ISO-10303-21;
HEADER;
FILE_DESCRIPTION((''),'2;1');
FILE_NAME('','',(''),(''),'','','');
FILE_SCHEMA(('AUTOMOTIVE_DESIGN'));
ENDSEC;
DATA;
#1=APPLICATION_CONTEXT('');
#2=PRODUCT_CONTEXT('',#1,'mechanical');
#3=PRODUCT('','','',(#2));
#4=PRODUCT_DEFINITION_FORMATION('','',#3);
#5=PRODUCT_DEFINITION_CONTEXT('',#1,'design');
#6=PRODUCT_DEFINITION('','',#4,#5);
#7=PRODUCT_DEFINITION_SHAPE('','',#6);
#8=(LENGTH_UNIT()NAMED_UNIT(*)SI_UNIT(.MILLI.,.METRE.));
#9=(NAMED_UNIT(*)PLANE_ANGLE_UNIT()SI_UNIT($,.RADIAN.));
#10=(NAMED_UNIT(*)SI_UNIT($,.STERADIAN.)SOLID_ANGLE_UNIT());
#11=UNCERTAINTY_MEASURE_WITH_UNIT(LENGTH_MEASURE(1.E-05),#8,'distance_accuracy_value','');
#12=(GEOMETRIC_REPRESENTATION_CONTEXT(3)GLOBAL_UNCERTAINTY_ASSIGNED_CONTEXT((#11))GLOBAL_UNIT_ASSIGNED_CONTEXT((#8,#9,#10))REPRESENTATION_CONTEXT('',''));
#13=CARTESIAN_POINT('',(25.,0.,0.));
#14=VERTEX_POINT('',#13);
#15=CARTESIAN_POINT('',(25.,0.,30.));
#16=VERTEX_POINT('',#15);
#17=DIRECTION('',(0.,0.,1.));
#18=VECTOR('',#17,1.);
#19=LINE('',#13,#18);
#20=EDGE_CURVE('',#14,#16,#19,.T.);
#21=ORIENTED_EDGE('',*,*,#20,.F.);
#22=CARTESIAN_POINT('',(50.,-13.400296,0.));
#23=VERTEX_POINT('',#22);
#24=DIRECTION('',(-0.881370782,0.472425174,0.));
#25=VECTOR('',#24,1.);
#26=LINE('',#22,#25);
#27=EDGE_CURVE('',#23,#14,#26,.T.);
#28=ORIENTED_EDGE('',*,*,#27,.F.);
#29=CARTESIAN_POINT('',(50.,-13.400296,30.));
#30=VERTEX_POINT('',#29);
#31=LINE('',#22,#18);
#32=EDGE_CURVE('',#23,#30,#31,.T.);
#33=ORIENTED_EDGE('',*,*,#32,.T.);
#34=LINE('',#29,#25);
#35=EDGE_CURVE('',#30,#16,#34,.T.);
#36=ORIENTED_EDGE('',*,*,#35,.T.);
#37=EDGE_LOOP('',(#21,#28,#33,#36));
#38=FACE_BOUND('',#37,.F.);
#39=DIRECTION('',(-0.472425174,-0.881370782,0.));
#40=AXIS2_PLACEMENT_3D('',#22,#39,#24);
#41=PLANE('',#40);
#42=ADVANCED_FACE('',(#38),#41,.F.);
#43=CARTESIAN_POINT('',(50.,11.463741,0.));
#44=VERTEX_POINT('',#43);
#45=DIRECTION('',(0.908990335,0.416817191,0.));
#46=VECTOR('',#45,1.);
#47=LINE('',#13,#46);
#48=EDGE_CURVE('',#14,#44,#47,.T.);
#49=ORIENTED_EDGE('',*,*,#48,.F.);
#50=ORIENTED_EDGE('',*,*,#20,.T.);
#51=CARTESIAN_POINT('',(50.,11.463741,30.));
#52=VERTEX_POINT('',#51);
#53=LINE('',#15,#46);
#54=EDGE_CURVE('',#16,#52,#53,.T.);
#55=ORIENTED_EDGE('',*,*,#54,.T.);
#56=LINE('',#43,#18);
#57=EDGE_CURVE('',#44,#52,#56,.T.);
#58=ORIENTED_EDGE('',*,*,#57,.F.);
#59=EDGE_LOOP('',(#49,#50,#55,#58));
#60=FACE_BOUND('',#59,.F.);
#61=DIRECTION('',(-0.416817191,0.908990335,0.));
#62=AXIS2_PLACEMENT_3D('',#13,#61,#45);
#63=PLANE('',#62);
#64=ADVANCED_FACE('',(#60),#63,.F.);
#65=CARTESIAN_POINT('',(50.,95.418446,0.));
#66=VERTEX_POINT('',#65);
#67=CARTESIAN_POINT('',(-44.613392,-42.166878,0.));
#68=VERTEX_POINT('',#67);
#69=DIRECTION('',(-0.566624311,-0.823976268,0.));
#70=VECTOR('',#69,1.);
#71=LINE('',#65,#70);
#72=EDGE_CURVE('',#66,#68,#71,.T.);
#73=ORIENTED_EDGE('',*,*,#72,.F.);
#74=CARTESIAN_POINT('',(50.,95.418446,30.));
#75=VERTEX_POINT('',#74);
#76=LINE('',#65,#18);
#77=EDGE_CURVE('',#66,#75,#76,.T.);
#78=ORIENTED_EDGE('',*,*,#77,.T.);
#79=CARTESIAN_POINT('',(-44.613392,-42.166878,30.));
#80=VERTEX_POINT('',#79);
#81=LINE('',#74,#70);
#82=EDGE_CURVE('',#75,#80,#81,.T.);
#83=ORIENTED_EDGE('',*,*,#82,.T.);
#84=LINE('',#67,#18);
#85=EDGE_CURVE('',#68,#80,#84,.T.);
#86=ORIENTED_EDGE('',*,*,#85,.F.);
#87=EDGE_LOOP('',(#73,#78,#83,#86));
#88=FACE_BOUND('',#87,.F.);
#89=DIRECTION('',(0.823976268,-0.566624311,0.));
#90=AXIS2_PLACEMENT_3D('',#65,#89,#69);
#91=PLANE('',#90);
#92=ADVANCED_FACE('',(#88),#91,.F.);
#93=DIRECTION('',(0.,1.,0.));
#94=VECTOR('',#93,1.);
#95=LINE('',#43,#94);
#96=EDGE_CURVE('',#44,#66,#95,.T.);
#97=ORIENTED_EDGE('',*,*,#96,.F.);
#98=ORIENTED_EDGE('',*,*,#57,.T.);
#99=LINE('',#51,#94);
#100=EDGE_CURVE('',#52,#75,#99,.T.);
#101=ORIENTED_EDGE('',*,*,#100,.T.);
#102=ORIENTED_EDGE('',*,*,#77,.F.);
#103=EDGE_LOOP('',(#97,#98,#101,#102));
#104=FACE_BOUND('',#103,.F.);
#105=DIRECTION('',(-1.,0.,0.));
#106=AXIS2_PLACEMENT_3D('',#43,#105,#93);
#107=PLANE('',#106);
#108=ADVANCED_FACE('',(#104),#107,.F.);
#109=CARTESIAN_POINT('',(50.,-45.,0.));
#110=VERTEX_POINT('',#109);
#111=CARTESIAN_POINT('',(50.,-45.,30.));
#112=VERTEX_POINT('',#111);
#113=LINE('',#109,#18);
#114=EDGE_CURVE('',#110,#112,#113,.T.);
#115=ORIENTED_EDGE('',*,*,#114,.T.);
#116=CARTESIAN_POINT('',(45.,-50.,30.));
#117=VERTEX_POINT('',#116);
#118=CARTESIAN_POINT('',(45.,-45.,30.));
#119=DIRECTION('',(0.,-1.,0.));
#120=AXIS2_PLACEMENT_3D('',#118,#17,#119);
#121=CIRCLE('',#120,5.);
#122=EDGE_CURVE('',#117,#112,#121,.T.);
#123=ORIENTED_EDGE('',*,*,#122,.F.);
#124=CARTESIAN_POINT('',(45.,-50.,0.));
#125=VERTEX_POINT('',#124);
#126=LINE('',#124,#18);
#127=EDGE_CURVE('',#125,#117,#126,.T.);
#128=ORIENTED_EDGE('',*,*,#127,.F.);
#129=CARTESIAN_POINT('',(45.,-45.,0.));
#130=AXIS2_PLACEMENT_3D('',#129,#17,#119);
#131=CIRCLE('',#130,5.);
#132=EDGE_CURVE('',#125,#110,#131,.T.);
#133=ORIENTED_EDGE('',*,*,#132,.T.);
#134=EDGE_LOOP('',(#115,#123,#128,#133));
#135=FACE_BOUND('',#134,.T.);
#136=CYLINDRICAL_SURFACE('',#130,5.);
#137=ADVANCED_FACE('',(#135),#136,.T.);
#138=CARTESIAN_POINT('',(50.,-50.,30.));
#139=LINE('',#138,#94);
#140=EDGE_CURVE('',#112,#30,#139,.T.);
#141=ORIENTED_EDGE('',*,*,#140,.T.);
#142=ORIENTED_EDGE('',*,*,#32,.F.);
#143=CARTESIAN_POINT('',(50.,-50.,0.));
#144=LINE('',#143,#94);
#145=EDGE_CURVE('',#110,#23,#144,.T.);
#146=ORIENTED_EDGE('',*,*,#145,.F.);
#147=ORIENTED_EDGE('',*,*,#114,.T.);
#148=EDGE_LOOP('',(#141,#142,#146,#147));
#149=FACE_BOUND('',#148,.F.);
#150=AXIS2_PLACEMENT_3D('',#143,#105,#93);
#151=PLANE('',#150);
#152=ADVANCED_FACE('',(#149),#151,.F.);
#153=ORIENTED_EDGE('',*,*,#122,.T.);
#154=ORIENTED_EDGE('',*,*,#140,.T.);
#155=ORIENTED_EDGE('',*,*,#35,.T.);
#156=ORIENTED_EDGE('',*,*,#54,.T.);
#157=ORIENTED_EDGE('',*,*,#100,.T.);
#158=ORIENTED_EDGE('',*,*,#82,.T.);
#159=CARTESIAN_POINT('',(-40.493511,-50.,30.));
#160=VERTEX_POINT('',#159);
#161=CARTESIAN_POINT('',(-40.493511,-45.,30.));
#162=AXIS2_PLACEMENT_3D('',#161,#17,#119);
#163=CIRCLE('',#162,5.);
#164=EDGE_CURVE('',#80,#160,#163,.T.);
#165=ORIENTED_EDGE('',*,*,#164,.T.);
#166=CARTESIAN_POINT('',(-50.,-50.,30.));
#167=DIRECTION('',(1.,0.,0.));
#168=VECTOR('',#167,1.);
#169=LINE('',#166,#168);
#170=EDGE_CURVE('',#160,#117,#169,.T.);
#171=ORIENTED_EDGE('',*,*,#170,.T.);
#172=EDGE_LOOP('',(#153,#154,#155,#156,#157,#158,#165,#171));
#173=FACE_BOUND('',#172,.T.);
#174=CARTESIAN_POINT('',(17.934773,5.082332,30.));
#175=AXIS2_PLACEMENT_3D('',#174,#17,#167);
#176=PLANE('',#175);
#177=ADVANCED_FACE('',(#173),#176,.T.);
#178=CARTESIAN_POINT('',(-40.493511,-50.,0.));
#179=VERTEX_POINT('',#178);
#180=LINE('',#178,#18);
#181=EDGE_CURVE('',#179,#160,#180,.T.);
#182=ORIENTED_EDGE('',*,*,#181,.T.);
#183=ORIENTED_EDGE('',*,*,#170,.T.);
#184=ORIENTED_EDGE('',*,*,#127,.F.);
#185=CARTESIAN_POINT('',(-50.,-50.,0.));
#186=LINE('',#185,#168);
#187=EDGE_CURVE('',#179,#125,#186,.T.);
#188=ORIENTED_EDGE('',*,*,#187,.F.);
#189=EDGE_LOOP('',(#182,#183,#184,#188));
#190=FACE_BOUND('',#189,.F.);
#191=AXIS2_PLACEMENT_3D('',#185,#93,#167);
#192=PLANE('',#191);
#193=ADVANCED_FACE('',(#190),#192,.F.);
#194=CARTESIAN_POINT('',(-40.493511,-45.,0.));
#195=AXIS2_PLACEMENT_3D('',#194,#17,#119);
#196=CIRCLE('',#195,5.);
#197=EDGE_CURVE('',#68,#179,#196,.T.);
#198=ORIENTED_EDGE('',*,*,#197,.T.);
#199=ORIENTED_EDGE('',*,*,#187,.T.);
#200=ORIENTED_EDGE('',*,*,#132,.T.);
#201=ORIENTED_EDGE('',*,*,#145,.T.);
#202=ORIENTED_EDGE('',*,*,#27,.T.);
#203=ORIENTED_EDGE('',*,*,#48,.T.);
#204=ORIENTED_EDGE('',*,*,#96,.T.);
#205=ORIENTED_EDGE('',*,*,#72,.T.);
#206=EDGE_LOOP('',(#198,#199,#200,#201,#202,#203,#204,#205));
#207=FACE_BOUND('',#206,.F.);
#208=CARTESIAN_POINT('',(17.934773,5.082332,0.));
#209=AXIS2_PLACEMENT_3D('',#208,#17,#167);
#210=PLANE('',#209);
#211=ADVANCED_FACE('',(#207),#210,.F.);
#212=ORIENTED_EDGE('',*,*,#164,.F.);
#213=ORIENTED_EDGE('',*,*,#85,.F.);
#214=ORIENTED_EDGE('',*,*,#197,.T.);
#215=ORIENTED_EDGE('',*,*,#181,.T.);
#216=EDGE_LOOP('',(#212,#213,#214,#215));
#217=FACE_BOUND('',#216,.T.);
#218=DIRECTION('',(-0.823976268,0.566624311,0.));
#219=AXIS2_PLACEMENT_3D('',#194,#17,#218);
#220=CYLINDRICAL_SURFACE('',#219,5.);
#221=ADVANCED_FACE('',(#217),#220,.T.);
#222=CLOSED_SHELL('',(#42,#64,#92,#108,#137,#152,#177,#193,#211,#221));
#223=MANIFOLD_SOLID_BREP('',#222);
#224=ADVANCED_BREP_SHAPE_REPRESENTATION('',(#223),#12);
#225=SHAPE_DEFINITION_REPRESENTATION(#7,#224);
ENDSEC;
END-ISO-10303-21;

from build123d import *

# Parameters (mm, degrees)
F1_DEPTH = 30
F2_R     = 5


with BuildPart() as f1:
    # F0 (on Top) → F1 (new body)
    with BuildSketch(Plane.XY):
        Polygon((50, 95.418446), (-50, -50), (50, -50), (50, -13.400296), (25, 0), (50, 11.463741), (50, 50), align=None)
    extrude(amount=F1_DEPTH)

    # F2
    f2_edges = [f1.edges().sort_by_distance(p)[0] for p in [
        (50, -50, 15),
        (-50, -50, 15),
    ]]
    fillet(f2_edges, radius=F2_R)


solid = f1.part
